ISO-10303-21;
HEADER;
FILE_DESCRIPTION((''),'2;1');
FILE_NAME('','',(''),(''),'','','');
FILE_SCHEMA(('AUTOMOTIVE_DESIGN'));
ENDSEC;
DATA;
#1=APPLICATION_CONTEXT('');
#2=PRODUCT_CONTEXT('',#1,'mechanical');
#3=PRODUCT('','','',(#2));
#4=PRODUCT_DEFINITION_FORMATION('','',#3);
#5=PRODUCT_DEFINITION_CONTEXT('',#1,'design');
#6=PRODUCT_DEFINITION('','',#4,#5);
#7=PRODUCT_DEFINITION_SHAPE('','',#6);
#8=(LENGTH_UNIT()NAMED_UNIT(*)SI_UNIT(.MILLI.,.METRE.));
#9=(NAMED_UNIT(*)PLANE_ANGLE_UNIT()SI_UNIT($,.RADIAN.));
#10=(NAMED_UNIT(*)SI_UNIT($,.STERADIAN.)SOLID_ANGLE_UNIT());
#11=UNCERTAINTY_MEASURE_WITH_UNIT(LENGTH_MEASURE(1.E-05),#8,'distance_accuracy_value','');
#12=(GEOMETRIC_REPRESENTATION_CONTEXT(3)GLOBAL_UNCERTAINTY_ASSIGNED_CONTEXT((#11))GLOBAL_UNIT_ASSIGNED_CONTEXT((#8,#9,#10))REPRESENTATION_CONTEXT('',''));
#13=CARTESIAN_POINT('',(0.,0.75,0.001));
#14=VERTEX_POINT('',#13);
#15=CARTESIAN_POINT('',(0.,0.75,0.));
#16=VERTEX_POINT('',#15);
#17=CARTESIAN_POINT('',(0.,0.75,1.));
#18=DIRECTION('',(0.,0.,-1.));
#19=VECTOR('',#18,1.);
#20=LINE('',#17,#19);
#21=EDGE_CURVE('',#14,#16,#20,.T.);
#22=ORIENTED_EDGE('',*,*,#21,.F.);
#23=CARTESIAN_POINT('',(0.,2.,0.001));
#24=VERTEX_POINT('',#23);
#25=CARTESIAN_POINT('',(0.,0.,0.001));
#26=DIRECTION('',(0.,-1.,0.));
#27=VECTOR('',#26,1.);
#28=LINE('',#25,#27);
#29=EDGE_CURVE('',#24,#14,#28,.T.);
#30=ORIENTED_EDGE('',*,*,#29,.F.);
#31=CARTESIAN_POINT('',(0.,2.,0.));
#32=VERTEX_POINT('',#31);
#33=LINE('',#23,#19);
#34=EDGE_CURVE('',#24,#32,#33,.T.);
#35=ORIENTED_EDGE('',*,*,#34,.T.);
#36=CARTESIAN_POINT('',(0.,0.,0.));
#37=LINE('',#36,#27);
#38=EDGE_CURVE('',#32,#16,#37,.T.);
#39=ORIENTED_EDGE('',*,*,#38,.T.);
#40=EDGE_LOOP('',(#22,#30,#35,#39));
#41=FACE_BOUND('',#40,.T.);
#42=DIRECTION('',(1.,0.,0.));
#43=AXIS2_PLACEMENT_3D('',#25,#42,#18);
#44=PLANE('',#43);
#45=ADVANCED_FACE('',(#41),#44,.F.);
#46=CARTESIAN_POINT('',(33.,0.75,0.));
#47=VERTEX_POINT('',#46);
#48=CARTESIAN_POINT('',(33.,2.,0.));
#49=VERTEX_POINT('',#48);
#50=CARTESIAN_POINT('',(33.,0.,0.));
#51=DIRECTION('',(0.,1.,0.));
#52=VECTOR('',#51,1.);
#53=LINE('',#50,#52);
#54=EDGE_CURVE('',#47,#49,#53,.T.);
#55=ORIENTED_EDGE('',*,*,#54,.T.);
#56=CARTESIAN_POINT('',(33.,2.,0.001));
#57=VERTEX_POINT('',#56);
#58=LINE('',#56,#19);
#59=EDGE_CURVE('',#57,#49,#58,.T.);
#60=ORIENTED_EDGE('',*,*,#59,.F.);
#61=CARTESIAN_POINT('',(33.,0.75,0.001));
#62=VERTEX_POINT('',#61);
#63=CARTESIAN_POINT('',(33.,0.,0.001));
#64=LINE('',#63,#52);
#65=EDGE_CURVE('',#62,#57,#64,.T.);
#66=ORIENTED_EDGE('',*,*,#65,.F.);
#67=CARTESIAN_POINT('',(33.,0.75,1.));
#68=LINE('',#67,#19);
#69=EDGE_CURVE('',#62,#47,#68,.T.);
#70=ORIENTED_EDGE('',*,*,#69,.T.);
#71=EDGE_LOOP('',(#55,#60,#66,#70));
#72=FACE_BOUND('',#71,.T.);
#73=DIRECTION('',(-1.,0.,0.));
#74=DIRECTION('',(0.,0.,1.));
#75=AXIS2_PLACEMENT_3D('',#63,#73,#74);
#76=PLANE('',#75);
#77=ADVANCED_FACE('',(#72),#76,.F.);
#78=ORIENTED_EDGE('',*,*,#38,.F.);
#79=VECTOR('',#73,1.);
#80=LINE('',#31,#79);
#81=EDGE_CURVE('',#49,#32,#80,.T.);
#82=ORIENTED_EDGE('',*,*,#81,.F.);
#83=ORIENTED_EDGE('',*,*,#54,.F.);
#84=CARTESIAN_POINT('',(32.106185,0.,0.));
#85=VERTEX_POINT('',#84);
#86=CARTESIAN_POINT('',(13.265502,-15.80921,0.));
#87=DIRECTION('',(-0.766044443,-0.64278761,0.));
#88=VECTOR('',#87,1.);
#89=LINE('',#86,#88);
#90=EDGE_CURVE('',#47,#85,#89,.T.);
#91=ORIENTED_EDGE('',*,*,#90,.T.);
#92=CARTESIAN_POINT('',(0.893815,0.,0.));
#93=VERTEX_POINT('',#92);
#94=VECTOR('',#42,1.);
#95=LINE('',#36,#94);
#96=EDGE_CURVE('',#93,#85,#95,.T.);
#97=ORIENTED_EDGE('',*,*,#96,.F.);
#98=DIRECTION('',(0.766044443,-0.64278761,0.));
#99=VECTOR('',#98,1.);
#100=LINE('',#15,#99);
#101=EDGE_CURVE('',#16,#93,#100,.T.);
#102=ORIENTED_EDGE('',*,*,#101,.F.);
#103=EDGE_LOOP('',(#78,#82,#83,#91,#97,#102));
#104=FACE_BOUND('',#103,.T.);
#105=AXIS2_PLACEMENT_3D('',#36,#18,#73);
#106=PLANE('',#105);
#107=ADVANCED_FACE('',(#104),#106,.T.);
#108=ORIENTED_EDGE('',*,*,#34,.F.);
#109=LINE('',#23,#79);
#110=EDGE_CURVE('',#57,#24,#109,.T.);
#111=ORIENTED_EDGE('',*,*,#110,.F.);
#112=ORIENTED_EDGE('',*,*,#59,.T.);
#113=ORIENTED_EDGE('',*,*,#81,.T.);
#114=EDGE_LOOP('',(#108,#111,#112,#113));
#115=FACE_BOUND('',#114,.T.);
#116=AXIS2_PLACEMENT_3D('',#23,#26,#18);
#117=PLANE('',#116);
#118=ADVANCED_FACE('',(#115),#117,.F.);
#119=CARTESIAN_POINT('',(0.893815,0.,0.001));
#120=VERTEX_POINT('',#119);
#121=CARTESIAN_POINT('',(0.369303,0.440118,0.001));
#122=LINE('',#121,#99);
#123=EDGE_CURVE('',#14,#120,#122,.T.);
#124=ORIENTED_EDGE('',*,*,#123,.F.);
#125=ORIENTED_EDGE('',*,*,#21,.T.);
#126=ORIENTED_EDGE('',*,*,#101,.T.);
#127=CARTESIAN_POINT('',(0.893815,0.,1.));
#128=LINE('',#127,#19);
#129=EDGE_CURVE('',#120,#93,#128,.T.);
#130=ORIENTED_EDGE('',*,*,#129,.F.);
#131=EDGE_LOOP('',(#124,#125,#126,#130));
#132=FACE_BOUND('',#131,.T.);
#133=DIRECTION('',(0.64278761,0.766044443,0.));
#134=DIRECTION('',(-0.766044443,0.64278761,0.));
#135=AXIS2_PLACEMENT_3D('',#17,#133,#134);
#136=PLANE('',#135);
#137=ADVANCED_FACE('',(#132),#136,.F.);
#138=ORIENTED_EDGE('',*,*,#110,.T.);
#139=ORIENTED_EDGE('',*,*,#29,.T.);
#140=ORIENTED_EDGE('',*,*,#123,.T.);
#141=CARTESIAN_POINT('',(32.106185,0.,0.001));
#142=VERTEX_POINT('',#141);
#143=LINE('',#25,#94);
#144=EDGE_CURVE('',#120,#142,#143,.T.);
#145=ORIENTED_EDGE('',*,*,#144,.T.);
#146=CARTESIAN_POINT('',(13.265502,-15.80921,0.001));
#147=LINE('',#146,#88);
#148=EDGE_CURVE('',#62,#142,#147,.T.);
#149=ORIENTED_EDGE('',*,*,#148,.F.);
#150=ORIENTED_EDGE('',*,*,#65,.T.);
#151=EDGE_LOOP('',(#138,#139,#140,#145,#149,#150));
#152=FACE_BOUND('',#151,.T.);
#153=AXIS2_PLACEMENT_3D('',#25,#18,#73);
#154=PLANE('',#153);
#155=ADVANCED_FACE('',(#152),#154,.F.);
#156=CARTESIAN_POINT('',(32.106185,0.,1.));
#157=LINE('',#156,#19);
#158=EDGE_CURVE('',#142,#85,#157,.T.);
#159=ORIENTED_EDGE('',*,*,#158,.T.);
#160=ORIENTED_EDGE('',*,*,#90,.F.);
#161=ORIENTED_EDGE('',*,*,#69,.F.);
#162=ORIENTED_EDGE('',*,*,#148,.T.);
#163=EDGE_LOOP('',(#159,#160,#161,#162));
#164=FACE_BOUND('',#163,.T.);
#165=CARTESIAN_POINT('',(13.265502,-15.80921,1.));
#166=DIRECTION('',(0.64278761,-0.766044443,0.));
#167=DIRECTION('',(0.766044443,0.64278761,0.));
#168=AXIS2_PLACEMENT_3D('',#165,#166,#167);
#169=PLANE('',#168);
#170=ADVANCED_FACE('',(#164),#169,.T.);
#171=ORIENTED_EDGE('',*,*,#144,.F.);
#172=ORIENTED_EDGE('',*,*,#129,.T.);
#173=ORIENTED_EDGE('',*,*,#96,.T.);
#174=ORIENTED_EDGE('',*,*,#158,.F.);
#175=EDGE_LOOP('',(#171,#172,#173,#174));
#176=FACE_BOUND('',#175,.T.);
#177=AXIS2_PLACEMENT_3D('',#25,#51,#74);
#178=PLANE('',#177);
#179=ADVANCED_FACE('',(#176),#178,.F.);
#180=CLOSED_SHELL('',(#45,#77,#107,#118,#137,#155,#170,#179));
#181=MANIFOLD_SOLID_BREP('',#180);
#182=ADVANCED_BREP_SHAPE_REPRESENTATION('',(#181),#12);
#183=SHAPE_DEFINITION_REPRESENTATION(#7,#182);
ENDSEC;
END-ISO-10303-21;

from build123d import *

# Parameters (mm, degrees)
SKETCH1_W           = 33
SKETCH1_H           = 2
BOSS_EXTRUDE1_DEPTH = 0.001
CUT_EXTRUDE1_DEPTH  = 1


with BuildPart() as part:
    # Sketch1 → Boss-Extrude1 (new body)
    with BuildSketch(Plane.XY):
        with Locations((16.5, 1)):
            Rectangle(SKETCH1_W, SKETCH1_H)
    extrude(amount=BOSS_EXTRUDE1_DEPTH)

    # Sketch2 → Cut-Extrude1 (cut)
    with BuildSketch(Plane(origin=(0, 0, 0), x_dir=(-1, 0, 0), z_dir=(0, 0, -1))):
        Polygon((-33, 0), (-32.106184806, 0), (-33, 0.75), align=None)
        Polygon((0, 0), (-0.893815194, 0), (0, 0.75), align=None)
    extrude(amount=-CUT_EXTRUDE1_DEPTH, mode=Mode.SUBTRACT)


solid = part.part
